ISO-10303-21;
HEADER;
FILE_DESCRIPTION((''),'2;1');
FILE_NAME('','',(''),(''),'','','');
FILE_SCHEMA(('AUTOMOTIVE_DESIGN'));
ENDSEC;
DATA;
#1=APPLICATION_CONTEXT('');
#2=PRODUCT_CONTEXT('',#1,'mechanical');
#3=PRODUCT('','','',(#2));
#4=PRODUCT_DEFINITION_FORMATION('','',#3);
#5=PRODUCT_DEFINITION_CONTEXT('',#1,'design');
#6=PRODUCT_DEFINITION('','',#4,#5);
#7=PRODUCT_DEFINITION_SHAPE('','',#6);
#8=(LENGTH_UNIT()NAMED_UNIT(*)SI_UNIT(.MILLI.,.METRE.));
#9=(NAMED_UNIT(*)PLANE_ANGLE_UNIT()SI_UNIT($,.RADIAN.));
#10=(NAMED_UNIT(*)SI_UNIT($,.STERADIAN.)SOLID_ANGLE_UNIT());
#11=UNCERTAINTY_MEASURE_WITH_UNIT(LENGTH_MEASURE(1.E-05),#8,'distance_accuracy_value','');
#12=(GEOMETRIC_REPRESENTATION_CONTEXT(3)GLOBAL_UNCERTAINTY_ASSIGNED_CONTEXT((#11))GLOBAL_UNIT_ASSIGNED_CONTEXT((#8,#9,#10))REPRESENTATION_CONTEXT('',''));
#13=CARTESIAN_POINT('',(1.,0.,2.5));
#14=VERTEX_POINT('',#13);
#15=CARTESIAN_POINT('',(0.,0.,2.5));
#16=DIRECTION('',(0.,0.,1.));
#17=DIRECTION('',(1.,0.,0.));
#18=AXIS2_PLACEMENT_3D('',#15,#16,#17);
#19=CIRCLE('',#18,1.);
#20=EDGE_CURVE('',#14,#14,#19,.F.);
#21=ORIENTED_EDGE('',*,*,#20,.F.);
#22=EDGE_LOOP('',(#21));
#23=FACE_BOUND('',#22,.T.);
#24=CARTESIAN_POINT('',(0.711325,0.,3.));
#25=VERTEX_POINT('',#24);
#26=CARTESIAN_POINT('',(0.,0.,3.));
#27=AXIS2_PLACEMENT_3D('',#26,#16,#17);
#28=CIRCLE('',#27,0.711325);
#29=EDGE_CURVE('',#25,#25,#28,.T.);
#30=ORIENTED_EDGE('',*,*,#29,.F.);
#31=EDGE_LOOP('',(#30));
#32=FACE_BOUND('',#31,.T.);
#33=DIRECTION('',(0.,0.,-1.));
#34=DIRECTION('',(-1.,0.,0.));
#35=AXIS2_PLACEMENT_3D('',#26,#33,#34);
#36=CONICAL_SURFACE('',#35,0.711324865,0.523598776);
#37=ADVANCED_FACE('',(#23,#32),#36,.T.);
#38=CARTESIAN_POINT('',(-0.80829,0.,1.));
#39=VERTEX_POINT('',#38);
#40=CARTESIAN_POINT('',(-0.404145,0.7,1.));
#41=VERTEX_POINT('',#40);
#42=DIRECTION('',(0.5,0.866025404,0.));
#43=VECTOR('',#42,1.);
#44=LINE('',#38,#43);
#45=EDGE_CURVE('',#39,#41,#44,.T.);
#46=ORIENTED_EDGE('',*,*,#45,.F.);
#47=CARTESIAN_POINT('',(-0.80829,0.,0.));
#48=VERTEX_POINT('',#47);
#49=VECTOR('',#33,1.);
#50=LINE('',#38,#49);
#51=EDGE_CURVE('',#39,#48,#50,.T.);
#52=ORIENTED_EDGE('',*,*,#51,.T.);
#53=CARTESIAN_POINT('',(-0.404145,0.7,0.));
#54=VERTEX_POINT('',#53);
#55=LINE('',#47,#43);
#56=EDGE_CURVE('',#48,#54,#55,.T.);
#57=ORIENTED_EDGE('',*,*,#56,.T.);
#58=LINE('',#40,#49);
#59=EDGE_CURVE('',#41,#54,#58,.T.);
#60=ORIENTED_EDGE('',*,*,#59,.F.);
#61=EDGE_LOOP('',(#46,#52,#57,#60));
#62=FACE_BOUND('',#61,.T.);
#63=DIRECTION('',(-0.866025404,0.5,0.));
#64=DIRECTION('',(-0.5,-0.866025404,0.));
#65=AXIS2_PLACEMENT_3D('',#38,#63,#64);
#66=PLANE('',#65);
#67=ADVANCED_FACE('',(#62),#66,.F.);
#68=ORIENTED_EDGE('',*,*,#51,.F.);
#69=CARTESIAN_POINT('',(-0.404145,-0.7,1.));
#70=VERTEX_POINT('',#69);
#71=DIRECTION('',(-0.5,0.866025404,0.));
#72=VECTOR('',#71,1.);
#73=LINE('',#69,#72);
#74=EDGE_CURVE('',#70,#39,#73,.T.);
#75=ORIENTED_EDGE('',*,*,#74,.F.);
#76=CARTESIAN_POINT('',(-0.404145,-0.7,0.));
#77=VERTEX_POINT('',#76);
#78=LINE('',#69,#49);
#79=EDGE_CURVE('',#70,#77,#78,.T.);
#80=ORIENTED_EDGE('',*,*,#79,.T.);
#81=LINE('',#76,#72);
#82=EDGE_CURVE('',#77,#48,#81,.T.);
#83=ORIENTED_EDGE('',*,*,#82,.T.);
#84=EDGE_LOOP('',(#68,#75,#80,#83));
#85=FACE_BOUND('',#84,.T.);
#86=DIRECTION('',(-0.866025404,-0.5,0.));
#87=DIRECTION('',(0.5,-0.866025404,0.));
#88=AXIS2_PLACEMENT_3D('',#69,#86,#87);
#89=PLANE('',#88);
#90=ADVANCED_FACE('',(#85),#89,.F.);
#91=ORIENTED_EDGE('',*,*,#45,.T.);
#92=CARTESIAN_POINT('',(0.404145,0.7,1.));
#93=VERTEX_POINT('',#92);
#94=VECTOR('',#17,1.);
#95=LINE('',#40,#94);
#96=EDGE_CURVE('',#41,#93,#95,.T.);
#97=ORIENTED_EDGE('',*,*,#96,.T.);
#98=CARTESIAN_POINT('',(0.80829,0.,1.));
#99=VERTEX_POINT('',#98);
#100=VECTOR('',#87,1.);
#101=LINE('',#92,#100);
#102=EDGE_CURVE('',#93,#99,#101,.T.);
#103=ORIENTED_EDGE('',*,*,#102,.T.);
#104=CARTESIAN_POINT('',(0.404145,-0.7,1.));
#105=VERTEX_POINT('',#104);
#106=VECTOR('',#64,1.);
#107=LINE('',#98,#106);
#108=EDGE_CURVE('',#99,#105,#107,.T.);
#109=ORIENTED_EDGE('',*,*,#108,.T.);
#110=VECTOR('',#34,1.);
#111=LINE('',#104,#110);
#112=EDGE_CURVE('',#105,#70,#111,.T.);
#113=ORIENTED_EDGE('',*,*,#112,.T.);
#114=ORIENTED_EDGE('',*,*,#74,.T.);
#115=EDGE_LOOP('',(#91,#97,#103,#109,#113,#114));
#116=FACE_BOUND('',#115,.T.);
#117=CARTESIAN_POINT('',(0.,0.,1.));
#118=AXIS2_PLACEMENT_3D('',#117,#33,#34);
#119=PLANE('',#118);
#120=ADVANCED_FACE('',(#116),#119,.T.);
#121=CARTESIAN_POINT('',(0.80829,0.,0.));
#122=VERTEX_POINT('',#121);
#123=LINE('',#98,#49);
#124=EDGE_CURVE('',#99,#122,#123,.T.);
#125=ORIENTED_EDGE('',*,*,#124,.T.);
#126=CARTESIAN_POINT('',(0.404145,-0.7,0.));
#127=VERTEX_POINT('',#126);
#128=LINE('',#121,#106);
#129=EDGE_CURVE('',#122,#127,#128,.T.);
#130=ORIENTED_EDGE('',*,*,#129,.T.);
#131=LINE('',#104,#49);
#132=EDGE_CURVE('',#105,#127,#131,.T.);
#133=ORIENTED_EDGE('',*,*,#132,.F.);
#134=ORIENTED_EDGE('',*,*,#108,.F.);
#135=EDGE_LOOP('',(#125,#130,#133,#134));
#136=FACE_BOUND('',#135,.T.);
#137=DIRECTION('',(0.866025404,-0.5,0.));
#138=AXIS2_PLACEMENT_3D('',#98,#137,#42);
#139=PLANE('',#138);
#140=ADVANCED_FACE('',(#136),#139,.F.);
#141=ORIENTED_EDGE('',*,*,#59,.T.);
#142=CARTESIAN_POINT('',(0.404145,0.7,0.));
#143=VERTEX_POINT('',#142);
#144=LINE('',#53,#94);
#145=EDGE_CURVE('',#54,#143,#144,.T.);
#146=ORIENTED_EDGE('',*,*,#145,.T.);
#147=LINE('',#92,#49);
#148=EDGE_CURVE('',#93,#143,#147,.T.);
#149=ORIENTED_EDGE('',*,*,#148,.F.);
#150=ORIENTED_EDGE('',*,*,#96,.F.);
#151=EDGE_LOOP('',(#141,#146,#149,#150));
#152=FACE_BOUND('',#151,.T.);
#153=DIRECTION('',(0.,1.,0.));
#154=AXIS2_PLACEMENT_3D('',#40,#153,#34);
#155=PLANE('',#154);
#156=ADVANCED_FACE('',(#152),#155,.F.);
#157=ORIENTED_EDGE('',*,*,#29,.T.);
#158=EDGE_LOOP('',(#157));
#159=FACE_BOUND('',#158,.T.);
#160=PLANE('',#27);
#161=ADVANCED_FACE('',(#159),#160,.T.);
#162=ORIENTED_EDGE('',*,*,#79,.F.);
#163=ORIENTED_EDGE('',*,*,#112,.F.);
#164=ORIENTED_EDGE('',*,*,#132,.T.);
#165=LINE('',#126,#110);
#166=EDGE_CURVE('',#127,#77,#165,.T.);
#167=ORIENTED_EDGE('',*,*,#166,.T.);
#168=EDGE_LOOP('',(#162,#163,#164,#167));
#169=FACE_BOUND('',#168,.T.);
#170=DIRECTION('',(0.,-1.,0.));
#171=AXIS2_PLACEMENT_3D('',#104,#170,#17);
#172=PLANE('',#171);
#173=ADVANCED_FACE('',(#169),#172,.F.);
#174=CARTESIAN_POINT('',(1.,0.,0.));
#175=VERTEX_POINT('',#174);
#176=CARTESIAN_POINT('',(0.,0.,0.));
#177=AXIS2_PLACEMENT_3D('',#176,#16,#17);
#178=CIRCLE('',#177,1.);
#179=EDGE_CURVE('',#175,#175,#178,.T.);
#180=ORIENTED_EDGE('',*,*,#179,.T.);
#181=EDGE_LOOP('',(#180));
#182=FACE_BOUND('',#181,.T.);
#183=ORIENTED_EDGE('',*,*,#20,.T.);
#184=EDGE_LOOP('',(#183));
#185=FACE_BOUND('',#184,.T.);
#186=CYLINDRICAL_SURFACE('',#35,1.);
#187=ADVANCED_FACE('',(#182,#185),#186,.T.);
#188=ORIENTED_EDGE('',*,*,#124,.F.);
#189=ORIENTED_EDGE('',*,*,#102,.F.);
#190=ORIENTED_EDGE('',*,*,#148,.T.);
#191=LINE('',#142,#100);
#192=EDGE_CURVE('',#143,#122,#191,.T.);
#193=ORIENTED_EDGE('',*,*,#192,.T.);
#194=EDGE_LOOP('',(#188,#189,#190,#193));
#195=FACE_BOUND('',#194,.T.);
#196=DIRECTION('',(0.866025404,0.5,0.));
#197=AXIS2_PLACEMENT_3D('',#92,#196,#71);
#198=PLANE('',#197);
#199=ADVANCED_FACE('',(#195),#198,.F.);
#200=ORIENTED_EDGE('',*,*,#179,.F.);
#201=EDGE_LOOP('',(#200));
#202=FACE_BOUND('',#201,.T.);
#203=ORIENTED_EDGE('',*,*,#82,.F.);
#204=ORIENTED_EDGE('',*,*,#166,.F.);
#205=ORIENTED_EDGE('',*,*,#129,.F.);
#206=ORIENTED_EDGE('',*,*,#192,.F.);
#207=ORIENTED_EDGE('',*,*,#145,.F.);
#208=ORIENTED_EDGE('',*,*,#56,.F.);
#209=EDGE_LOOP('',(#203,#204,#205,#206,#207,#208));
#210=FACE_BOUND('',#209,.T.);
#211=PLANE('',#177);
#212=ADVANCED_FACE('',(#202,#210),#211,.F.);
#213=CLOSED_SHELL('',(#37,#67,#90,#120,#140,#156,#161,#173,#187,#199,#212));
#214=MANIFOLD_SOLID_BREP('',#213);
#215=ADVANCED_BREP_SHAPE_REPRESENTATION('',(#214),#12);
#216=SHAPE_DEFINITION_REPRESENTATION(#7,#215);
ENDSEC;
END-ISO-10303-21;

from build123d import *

# Parameters (mm, degrees)
SKETCH1_R           = 1
BOSS_EXTRUDE1_DEPTH = 3
CHAMFER1_SIZE       = 0.5
CHAMFER1_SIZE2      = 0.288675135
CUT_EXTRUDE1_DEPTH  = 1


with BuildPart() as part:
    # Sketch1 → Boss-Extrude1 (new body)
    with BuildSketch(Plane.XY):
        Circle(SKETCH1_R)
    extrude(amount=BOSS_EXTRUDE1_DEPTH)

    # Chamfer1
    chamfer1_edges = [part.edges().sort_by_distance(p)[0] for p in [
        (-1, 0, 3),
    ]]
    chamfer1_side = [part.faces().sort_by_distance(p)[0] for p in [
        (-1, 0, 1.5),
    ]]
    chamfer(chamfer1_edges, length=CHAMFER1_SIZE, length2=CHAMFER1_SIZE2, reference=chamfer1_side[0])

    # Sketch2 → Cut-Extrude1 (cut)
    with BuildSketch(Plane(origin=(0, 0, 0), x_dir=(-1, 0, 0), z_dir=(0, 0, -1))):
        Polygon((0.808290377, 0), (0.404145188, 0.7), (-0.404145188, 0.7), (-0.808290377, 0), (-0.404145188, -0.7), (0.404145188, -0.7), align=None)
    extrude(amount=-CUT_EXTRUDE1_DEPTH, mode=Mode.SUBTRACT)


solid = part.part
